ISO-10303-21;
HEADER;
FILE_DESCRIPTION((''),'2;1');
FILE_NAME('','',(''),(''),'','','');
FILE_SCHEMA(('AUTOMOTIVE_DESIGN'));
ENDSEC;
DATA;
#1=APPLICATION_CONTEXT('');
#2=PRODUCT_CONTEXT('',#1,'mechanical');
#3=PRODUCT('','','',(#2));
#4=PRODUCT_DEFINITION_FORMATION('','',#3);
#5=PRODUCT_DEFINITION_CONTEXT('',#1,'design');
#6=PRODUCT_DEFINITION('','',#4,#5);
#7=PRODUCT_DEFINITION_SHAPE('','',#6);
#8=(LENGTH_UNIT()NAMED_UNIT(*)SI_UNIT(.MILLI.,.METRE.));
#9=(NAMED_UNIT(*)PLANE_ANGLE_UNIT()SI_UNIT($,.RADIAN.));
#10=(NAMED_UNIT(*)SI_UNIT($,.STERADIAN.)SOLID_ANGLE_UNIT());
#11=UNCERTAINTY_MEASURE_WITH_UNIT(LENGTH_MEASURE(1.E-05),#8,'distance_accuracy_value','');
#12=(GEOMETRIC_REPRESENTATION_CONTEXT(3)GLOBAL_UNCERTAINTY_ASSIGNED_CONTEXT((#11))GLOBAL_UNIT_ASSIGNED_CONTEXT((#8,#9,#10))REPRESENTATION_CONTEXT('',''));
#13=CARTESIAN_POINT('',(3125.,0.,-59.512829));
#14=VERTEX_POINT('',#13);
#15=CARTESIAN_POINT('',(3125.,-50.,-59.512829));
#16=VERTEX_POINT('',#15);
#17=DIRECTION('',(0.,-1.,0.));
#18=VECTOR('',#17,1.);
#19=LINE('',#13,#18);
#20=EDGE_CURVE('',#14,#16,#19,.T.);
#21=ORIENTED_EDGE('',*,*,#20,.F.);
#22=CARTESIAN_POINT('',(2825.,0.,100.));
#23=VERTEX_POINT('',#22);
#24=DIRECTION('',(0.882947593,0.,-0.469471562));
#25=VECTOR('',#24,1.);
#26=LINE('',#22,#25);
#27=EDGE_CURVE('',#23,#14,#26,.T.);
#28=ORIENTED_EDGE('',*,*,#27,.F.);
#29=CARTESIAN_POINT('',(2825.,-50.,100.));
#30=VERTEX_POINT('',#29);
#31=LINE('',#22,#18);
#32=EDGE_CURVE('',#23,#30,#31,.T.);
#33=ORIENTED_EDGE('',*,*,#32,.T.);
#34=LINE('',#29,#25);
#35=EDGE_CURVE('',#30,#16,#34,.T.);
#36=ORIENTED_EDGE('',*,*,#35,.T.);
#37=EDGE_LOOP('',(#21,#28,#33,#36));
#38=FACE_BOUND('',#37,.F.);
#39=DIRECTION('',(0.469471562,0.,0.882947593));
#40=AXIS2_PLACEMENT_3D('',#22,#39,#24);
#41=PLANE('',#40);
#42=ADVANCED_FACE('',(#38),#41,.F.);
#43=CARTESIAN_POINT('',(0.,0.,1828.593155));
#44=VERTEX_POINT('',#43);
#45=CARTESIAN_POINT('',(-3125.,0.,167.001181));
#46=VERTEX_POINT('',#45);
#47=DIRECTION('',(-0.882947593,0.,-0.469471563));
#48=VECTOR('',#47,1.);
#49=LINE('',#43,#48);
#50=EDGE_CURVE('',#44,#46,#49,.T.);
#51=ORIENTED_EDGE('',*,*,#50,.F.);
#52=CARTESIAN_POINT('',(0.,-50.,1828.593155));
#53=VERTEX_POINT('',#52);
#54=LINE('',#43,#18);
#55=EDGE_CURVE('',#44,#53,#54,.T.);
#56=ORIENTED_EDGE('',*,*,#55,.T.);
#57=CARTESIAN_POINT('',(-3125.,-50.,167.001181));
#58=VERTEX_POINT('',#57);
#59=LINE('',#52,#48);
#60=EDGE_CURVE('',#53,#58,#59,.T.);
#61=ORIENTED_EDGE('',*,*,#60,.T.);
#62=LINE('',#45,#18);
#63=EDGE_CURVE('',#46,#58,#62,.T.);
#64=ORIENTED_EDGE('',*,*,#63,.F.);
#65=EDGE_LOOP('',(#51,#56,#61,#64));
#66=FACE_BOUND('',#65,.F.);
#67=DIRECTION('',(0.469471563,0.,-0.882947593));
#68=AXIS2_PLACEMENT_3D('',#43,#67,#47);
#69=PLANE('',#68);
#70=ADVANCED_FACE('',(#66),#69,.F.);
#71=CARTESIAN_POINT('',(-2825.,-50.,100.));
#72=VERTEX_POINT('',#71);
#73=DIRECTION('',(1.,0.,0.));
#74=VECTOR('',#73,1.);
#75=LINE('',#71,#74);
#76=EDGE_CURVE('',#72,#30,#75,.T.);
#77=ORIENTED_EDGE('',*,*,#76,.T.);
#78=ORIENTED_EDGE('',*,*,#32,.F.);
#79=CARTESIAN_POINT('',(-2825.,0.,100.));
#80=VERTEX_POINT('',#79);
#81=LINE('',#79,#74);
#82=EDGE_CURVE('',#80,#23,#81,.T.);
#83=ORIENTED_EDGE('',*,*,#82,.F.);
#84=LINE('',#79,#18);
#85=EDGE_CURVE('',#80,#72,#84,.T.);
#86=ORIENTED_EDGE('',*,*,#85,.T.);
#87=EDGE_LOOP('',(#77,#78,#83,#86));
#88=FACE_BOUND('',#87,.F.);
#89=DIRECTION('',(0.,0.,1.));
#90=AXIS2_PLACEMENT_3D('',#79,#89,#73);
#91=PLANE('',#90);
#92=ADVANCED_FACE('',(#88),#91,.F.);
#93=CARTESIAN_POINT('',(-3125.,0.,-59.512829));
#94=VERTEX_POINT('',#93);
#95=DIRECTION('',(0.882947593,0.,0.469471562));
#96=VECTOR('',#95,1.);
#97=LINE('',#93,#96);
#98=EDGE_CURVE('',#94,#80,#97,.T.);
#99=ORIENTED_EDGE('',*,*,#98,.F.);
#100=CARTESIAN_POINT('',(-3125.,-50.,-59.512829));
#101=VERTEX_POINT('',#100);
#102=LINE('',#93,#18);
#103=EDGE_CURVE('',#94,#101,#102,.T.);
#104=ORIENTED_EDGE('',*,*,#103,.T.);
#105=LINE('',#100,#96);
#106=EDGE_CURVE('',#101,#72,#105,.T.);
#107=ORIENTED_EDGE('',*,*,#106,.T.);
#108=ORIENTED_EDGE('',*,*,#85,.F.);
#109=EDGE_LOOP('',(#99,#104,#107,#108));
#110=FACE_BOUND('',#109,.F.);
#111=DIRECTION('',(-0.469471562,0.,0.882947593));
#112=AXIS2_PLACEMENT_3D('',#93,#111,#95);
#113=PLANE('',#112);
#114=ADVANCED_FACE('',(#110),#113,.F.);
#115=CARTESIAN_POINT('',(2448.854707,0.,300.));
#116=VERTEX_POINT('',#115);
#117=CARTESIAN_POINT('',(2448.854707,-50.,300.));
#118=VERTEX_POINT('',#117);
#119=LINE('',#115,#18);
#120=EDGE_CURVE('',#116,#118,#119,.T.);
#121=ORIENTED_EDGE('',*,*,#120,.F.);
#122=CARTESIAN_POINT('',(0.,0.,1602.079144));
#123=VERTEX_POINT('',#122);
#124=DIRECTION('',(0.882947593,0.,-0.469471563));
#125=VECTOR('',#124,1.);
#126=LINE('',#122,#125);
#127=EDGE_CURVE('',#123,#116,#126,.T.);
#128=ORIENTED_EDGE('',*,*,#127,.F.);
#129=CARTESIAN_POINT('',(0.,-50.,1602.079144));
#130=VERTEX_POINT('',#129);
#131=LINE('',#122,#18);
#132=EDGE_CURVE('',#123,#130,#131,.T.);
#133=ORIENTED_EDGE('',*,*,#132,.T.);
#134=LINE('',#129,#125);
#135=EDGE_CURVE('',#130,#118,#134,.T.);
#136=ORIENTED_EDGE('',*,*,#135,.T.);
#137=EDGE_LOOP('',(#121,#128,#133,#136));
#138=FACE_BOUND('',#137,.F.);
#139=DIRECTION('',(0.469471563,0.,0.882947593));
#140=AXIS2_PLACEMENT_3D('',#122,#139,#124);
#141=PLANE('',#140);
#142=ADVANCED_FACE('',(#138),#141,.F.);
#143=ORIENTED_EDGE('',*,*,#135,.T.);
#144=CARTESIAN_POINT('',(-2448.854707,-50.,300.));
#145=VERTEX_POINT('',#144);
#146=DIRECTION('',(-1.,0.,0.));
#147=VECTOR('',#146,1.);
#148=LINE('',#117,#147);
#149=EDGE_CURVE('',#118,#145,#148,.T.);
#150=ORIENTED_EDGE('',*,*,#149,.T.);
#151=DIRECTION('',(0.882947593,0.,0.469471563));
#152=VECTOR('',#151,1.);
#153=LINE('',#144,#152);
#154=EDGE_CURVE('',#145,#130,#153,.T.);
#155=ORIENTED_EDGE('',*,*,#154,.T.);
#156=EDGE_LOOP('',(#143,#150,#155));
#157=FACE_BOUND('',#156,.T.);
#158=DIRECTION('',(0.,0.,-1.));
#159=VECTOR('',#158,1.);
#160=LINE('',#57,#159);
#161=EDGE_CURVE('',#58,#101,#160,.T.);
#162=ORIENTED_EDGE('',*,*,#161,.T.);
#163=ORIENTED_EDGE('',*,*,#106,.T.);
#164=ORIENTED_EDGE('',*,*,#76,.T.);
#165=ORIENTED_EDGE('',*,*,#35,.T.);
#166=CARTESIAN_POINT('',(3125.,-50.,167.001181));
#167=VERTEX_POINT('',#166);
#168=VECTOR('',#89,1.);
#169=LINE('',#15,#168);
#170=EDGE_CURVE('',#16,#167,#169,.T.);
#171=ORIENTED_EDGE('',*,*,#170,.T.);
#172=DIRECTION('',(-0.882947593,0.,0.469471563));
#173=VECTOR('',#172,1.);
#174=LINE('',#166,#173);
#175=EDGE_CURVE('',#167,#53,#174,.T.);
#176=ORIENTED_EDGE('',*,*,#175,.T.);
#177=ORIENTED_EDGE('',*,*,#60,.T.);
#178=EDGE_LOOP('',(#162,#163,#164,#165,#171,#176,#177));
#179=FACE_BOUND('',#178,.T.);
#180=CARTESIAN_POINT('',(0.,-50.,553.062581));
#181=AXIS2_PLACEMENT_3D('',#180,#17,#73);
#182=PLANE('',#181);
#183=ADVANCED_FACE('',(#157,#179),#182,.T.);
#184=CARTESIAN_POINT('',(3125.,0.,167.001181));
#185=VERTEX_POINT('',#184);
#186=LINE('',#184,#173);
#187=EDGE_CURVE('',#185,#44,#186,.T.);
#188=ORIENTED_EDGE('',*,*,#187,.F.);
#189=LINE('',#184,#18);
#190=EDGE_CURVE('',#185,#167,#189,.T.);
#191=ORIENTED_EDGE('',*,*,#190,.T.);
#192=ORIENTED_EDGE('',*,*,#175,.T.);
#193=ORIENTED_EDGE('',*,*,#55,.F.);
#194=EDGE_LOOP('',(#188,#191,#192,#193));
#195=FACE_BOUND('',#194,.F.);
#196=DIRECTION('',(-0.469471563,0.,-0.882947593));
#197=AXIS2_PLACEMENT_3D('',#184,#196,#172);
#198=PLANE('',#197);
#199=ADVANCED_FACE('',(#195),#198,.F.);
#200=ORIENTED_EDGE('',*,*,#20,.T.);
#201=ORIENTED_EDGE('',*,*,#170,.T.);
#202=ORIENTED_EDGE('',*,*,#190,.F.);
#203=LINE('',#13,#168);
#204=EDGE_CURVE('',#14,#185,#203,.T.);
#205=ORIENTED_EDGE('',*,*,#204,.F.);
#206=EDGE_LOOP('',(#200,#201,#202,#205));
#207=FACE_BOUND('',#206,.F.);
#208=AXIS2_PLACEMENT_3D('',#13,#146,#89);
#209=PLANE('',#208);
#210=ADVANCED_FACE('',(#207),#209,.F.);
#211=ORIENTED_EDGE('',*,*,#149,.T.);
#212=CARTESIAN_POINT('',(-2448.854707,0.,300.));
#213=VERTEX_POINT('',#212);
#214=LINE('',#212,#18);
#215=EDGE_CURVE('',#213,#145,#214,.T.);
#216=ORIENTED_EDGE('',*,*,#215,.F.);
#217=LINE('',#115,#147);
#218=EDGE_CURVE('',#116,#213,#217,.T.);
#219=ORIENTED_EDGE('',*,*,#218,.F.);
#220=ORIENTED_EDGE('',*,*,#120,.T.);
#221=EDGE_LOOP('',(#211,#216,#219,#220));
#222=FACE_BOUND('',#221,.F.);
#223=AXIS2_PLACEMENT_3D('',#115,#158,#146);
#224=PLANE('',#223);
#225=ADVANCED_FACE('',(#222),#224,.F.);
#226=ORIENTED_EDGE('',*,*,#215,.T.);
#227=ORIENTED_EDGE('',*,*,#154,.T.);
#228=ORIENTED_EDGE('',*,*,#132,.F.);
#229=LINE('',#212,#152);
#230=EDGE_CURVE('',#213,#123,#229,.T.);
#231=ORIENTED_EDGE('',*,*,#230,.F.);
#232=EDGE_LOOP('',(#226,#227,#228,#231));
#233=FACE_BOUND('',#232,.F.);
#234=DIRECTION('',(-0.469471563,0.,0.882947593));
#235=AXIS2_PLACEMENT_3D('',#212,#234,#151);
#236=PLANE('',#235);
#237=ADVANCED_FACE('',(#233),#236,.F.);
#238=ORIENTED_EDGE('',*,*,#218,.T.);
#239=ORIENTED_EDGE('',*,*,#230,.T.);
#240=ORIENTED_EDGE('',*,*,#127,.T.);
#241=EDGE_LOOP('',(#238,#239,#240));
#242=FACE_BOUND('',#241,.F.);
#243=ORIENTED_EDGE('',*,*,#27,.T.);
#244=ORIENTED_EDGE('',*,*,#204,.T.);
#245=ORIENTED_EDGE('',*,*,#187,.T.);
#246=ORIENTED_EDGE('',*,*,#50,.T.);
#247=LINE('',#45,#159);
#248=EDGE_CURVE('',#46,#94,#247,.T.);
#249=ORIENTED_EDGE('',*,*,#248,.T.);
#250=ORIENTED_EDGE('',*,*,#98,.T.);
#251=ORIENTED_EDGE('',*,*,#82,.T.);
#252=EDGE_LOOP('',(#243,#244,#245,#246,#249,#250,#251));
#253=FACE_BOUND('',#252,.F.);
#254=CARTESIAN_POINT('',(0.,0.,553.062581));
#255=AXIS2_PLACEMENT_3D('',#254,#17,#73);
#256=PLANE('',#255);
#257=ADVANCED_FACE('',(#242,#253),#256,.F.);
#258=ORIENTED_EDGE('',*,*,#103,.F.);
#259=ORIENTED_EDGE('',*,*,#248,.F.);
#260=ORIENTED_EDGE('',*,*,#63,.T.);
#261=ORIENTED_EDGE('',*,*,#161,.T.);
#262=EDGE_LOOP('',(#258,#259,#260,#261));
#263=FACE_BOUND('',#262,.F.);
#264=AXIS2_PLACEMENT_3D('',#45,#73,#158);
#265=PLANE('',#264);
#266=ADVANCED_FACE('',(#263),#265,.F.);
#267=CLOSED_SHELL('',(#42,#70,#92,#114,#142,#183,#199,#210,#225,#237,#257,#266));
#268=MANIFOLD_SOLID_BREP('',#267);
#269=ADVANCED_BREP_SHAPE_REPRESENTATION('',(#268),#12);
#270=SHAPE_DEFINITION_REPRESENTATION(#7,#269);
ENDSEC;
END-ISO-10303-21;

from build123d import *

# Parameters (mm, degrees)
F1_DEPTH = 50


with BuildPart() as f1:
    # F0 (on Front) → F1 (new body)
    with BuildSketch(Plane.XZ):
        Polygon((-3125, -59.512829), (-2825, 100), (2825, 100), (3125, -59.512829), (3125, 167.001181), (0, 1828.593155), (-3125, 167.001181), align=None)
        Polygon((2448.854707, 300), (-2448.854707, 300), (0, 1602.079144), align=None, mode=Mode.SUBTRACT)
    extrude(amount=F1_DEPTH)


solid = f1.part
